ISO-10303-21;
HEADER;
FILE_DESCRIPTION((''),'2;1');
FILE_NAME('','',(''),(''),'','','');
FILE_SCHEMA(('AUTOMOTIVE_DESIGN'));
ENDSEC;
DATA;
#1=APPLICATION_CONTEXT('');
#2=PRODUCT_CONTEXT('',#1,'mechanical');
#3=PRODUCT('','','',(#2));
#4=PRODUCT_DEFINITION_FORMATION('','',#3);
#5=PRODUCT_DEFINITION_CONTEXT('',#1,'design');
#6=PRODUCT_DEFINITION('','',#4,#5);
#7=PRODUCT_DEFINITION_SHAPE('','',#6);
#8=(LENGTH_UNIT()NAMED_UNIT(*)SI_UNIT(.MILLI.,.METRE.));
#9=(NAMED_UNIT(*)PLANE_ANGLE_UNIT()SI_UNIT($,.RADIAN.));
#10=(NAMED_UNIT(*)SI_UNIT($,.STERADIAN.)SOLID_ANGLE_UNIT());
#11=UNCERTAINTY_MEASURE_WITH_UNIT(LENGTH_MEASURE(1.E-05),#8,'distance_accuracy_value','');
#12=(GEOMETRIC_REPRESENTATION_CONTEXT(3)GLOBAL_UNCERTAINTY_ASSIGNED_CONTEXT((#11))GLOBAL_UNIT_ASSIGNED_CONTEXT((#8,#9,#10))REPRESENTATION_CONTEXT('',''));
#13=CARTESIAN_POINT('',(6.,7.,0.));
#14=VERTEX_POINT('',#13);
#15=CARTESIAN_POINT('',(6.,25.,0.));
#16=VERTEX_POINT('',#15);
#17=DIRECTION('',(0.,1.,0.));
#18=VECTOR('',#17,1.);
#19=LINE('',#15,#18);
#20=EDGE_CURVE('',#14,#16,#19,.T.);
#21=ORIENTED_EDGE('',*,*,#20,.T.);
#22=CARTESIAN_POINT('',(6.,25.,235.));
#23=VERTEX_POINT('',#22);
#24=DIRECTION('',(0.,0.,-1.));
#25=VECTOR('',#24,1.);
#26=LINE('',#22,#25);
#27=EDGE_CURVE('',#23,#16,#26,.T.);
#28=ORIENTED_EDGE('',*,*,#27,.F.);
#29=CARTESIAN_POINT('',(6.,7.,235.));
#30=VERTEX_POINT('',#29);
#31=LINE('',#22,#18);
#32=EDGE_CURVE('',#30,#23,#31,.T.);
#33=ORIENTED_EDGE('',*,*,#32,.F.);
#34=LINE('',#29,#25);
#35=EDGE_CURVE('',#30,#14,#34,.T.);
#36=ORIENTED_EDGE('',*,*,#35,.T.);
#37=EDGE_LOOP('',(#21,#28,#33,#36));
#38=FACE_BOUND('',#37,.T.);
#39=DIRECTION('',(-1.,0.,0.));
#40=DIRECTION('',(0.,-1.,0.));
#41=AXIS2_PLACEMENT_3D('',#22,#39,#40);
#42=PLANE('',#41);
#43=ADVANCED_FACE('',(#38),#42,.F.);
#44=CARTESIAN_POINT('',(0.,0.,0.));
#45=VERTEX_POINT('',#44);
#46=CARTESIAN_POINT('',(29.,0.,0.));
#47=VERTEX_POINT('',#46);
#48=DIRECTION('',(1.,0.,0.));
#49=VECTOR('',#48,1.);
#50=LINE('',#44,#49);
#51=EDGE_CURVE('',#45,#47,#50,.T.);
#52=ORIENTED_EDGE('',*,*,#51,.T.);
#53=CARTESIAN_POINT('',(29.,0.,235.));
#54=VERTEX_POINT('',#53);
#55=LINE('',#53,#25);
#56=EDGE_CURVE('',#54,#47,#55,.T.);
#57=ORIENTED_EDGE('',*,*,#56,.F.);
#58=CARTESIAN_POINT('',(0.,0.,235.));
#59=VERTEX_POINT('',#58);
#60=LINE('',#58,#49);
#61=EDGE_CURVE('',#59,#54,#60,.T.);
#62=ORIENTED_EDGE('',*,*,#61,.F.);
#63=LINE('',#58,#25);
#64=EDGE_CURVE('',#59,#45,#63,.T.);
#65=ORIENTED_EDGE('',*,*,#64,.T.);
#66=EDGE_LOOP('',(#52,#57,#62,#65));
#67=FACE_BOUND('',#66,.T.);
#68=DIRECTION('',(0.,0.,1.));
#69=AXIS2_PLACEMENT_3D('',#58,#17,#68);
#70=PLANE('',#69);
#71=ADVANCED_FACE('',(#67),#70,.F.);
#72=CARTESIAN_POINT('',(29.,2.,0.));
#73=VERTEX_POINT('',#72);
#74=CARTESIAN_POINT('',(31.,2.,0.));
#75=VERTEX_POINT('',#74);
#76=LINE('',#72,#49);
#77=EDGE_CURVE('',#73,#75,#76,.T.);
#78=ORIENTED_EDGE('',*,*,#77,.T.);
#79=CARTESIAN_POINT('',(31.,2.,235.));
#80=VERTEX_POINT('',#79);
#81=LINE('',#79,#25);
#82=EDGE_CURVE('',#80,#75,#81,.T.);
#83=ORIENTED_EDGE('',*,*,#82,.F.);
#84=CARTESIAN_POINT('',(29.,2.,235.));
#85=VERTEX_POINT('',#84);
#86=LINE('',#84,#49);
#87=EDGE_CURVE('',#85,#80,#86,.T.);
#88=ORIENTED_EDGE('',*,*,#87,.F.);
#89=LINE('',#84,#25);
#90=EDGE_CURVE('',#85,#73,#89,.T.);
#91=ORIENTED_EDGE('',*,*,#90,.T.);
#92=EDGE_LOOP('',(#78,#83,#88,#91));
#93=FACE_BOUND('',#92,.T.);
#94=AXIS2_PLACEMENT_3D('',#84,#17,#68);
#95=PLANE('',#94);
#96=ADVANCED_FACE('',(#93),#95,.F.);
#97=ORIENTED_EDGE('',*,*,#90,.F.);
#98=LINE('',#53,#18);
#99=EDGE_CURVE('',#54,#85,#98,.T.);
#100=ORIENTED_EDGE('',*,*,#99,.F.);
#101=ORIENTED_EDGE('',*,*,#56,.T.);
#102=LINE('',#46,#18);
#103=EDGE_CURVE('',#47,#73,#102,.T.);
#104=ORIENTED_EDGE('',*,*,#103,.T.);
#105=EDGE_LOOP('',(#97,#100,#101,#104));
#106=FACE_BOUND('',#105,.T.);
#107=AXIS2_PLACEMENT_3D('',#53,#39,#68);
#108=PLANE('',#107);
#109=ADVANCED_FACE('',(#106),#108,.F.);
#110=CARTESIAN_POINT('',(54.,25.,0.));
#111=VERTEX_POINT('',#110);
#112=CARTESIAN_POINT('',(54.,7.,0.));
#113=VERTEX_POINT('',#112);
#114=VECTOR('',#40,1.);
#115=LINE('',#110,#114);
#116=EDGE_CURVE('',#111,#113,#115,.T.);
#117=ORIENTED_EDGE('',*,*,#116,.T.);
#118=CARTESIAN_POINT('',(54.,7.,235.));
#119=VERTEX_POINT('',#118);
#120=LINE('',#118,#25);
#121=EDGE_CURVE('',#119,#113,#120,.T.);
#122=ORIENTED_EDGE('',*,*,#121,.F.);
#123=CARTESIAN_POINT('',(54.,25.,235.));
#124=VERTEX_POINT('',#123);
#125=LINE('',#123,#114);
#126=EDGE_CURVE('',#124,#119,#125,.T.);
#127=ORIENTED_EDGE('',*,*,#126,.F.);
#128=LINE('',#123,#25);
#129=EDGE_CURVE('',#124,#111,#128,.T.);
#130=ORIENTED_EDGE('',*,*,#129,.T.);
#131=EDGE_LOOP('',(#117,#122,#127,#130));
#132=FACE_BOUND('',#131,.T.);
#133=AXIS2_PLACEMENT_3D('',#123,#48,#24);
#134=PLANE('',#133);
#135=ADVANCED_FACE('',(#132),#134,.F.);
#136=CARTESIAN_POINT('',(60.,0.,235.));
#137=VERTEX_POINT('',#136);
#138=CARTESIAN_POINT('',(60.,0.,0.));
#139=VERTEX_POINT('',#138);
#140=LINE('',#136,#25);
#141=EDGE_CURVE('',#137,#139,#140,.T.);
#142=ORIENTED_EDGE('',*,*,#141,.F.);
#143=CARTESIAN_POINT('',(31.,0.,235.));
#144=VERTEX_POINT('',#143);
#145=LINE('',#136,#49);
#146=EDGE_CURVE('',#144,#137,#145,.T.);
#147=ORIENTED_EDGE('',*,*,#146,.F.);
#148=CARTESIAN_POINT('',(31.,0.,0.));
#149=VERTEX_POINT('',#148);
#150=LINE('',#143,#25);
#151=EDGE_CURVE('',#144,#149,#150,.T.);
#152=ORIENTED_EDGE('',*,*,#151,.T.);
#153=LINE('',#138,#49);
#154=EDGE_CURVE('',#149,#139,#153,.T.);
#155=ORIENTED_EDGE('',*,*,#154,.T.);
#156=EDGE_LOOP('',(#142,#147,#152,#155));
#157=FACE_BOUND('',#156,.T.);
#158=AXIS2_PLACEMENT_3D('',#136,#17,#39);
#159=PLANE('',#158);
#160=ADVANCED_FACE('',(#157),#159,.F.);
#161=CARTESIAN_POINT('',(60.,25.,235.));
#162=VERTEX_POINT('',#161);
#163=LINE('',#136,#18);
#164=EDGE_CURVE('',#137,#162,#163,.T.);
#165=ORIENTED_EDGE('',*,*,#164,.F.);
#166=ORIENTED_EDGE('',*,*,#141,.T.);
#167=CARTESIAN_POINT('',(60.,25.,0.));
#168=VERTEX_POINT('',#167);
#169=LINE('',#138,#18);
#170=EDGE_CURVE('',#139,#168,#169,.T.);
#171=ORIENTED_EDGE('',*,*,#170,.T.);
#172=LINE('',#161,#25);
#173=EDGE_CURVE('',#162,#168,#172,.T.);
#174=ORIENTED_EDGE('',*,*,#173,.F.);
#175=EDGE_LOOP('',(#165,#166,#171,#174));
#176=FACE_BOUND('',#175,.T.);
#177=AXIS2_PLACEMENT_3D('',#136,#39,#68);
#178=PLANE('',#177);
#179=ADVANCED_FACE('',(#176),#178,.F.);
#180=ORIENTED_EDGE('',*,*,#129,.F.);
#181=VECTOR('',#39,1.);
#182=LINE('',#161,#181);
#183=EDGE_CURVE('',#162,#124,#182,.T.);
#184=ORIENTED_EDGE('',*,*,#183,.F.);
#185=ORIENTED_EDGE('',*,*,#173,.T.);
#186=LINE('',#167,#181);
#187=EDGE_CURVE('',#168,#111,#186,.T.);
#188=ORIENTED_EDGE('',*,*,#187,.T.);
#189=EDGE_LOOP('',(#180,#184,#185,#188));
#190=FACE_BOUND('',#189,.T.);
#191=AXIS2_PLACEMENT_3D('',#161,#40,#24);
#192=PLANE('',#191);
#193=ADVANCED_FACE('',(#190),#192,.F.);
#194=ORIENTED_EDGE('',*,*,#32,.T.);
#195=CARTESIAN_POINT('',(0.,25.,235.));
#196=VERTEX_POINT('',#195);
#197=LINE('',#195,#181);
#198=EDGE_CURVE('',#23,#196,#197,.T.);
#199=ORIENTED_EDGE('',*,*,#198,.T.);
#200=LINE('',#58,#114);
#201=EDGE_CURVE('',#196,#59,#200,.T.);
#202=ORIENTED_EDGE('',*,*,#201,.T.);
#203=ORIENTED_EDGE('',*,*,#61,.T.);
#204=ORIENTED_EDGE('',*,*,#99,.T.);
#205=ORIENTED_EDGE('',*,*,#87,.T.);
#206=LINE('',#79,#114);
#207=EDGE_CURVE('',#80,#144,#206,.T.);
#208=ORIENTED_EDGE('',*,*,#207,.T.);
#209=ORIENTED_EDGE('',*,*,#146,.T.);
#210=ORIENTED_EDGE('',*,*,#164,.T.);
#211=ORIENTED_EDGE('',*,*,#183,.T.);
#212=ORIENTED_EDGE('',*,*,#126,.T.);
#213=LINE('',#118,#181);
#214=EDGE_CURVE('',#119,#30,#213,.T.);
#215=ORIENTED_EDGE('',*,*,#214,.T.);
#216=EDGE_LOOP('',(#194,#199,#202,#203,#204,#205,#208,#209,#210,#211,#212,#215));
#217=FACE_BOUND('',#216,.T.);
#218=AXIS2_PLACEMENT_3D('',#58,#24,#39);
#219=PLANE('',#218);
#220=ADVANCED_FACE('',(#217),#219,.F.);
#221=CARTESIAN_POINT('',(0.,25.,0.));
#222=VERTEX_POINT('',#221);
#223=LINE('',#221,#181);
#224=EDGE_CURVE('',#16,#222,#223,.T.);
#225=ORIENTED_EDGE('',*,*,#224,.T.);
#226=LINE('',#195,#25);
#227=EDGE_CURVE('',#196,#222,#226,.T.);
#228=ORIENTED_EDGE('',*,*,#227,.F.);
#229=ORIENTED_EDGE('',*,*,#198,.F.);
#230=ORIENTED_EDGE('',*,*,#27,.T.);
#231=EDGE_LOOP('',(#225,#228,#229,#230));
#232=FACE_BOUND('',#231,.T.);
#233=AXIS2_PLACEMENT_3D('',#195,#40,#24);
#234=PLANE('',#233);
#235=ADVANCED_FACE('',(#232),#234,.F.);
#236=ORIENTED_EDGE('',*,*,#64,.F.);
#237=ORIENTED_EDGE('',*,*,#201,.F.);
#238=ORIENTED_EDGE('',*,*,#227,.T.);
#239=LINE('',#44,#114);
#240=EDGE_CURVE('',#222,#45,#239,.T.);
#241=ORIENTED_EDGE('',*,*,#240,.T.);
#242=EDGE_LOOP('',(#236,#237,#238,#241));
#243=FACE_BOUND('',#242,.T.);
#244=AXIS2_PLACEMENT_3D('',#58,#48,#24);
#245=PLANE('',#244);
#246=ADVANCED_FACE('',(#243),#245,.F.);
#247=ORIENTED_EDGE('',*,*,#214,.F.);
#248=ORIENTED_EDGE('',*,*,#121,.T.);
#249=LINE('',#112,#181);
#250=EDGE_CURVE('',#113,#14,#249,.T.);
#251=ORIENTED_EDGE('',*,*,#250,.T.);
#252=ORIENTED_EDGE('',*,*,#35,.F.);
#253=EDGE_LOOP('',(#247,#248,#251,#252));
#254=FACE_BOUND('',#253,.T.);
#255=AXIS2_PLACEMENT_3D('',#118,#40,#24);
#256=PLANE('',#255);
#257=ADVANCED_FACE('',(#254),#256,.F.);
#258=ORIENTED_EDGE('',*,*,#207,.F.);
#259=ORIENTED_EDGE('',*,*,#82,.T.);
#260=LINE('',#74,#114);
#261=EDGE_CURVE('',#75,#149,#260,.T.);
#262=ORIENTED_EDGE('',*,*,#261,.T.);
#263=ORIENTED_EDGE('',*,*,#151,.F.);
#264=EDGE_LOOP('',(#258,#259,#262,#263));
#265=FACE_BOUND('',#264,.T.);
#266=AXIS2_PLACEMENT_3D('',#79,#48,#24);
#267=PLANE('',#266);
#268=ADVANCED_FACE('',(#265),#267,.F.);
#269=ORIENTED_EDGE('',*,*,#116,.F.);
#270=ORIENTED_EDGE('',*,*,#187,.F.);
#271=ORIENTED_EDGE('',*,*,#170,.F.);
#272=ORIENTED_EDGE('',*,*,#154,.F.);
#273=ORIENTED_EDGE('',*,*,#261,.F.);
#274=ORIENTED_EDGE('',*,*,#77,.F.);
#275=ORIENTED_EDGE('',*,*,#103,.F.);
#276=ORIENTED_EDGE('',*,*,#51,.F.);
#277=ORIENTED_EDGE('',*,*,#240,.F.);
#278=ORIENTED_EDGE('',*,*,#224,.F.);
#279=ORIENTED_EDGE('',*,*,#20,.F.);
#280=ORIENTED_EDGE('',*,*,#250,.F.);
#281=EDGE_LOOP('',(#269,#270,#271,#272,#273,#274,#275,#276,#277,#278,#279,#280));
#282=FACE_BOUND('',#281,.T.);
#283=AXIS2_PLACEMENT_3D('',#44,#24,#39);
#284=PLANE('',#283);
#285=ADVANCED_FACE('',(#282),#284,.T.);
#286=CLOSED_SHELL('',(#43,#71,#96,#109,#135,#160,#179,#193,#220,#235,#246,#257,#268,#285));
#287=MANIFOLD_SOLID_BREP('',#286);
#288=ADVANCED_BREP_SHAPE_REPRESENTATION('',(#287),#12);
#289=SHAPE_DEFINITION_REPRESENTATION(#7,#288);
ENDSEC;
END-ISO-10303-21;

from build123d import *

# Parameters (mm, degrees)
EXTRUDE_1_DEPTH = 235


with BuildPart() as part:
    # 草图1 → 凸台-拉伸1 (new body)
    with BuildSketch(Plane.XY):
        Polygon((0, 0), (29, 0), (29, 2), (31, 2), (31, 0), (60, 0), (60, 25), (54, 25), (54, 7), (6, 7), (6, 25), (0, 25), align=None)
    extrude(amount=EXTRUDE_1_DEPTH)


solid = part.part
